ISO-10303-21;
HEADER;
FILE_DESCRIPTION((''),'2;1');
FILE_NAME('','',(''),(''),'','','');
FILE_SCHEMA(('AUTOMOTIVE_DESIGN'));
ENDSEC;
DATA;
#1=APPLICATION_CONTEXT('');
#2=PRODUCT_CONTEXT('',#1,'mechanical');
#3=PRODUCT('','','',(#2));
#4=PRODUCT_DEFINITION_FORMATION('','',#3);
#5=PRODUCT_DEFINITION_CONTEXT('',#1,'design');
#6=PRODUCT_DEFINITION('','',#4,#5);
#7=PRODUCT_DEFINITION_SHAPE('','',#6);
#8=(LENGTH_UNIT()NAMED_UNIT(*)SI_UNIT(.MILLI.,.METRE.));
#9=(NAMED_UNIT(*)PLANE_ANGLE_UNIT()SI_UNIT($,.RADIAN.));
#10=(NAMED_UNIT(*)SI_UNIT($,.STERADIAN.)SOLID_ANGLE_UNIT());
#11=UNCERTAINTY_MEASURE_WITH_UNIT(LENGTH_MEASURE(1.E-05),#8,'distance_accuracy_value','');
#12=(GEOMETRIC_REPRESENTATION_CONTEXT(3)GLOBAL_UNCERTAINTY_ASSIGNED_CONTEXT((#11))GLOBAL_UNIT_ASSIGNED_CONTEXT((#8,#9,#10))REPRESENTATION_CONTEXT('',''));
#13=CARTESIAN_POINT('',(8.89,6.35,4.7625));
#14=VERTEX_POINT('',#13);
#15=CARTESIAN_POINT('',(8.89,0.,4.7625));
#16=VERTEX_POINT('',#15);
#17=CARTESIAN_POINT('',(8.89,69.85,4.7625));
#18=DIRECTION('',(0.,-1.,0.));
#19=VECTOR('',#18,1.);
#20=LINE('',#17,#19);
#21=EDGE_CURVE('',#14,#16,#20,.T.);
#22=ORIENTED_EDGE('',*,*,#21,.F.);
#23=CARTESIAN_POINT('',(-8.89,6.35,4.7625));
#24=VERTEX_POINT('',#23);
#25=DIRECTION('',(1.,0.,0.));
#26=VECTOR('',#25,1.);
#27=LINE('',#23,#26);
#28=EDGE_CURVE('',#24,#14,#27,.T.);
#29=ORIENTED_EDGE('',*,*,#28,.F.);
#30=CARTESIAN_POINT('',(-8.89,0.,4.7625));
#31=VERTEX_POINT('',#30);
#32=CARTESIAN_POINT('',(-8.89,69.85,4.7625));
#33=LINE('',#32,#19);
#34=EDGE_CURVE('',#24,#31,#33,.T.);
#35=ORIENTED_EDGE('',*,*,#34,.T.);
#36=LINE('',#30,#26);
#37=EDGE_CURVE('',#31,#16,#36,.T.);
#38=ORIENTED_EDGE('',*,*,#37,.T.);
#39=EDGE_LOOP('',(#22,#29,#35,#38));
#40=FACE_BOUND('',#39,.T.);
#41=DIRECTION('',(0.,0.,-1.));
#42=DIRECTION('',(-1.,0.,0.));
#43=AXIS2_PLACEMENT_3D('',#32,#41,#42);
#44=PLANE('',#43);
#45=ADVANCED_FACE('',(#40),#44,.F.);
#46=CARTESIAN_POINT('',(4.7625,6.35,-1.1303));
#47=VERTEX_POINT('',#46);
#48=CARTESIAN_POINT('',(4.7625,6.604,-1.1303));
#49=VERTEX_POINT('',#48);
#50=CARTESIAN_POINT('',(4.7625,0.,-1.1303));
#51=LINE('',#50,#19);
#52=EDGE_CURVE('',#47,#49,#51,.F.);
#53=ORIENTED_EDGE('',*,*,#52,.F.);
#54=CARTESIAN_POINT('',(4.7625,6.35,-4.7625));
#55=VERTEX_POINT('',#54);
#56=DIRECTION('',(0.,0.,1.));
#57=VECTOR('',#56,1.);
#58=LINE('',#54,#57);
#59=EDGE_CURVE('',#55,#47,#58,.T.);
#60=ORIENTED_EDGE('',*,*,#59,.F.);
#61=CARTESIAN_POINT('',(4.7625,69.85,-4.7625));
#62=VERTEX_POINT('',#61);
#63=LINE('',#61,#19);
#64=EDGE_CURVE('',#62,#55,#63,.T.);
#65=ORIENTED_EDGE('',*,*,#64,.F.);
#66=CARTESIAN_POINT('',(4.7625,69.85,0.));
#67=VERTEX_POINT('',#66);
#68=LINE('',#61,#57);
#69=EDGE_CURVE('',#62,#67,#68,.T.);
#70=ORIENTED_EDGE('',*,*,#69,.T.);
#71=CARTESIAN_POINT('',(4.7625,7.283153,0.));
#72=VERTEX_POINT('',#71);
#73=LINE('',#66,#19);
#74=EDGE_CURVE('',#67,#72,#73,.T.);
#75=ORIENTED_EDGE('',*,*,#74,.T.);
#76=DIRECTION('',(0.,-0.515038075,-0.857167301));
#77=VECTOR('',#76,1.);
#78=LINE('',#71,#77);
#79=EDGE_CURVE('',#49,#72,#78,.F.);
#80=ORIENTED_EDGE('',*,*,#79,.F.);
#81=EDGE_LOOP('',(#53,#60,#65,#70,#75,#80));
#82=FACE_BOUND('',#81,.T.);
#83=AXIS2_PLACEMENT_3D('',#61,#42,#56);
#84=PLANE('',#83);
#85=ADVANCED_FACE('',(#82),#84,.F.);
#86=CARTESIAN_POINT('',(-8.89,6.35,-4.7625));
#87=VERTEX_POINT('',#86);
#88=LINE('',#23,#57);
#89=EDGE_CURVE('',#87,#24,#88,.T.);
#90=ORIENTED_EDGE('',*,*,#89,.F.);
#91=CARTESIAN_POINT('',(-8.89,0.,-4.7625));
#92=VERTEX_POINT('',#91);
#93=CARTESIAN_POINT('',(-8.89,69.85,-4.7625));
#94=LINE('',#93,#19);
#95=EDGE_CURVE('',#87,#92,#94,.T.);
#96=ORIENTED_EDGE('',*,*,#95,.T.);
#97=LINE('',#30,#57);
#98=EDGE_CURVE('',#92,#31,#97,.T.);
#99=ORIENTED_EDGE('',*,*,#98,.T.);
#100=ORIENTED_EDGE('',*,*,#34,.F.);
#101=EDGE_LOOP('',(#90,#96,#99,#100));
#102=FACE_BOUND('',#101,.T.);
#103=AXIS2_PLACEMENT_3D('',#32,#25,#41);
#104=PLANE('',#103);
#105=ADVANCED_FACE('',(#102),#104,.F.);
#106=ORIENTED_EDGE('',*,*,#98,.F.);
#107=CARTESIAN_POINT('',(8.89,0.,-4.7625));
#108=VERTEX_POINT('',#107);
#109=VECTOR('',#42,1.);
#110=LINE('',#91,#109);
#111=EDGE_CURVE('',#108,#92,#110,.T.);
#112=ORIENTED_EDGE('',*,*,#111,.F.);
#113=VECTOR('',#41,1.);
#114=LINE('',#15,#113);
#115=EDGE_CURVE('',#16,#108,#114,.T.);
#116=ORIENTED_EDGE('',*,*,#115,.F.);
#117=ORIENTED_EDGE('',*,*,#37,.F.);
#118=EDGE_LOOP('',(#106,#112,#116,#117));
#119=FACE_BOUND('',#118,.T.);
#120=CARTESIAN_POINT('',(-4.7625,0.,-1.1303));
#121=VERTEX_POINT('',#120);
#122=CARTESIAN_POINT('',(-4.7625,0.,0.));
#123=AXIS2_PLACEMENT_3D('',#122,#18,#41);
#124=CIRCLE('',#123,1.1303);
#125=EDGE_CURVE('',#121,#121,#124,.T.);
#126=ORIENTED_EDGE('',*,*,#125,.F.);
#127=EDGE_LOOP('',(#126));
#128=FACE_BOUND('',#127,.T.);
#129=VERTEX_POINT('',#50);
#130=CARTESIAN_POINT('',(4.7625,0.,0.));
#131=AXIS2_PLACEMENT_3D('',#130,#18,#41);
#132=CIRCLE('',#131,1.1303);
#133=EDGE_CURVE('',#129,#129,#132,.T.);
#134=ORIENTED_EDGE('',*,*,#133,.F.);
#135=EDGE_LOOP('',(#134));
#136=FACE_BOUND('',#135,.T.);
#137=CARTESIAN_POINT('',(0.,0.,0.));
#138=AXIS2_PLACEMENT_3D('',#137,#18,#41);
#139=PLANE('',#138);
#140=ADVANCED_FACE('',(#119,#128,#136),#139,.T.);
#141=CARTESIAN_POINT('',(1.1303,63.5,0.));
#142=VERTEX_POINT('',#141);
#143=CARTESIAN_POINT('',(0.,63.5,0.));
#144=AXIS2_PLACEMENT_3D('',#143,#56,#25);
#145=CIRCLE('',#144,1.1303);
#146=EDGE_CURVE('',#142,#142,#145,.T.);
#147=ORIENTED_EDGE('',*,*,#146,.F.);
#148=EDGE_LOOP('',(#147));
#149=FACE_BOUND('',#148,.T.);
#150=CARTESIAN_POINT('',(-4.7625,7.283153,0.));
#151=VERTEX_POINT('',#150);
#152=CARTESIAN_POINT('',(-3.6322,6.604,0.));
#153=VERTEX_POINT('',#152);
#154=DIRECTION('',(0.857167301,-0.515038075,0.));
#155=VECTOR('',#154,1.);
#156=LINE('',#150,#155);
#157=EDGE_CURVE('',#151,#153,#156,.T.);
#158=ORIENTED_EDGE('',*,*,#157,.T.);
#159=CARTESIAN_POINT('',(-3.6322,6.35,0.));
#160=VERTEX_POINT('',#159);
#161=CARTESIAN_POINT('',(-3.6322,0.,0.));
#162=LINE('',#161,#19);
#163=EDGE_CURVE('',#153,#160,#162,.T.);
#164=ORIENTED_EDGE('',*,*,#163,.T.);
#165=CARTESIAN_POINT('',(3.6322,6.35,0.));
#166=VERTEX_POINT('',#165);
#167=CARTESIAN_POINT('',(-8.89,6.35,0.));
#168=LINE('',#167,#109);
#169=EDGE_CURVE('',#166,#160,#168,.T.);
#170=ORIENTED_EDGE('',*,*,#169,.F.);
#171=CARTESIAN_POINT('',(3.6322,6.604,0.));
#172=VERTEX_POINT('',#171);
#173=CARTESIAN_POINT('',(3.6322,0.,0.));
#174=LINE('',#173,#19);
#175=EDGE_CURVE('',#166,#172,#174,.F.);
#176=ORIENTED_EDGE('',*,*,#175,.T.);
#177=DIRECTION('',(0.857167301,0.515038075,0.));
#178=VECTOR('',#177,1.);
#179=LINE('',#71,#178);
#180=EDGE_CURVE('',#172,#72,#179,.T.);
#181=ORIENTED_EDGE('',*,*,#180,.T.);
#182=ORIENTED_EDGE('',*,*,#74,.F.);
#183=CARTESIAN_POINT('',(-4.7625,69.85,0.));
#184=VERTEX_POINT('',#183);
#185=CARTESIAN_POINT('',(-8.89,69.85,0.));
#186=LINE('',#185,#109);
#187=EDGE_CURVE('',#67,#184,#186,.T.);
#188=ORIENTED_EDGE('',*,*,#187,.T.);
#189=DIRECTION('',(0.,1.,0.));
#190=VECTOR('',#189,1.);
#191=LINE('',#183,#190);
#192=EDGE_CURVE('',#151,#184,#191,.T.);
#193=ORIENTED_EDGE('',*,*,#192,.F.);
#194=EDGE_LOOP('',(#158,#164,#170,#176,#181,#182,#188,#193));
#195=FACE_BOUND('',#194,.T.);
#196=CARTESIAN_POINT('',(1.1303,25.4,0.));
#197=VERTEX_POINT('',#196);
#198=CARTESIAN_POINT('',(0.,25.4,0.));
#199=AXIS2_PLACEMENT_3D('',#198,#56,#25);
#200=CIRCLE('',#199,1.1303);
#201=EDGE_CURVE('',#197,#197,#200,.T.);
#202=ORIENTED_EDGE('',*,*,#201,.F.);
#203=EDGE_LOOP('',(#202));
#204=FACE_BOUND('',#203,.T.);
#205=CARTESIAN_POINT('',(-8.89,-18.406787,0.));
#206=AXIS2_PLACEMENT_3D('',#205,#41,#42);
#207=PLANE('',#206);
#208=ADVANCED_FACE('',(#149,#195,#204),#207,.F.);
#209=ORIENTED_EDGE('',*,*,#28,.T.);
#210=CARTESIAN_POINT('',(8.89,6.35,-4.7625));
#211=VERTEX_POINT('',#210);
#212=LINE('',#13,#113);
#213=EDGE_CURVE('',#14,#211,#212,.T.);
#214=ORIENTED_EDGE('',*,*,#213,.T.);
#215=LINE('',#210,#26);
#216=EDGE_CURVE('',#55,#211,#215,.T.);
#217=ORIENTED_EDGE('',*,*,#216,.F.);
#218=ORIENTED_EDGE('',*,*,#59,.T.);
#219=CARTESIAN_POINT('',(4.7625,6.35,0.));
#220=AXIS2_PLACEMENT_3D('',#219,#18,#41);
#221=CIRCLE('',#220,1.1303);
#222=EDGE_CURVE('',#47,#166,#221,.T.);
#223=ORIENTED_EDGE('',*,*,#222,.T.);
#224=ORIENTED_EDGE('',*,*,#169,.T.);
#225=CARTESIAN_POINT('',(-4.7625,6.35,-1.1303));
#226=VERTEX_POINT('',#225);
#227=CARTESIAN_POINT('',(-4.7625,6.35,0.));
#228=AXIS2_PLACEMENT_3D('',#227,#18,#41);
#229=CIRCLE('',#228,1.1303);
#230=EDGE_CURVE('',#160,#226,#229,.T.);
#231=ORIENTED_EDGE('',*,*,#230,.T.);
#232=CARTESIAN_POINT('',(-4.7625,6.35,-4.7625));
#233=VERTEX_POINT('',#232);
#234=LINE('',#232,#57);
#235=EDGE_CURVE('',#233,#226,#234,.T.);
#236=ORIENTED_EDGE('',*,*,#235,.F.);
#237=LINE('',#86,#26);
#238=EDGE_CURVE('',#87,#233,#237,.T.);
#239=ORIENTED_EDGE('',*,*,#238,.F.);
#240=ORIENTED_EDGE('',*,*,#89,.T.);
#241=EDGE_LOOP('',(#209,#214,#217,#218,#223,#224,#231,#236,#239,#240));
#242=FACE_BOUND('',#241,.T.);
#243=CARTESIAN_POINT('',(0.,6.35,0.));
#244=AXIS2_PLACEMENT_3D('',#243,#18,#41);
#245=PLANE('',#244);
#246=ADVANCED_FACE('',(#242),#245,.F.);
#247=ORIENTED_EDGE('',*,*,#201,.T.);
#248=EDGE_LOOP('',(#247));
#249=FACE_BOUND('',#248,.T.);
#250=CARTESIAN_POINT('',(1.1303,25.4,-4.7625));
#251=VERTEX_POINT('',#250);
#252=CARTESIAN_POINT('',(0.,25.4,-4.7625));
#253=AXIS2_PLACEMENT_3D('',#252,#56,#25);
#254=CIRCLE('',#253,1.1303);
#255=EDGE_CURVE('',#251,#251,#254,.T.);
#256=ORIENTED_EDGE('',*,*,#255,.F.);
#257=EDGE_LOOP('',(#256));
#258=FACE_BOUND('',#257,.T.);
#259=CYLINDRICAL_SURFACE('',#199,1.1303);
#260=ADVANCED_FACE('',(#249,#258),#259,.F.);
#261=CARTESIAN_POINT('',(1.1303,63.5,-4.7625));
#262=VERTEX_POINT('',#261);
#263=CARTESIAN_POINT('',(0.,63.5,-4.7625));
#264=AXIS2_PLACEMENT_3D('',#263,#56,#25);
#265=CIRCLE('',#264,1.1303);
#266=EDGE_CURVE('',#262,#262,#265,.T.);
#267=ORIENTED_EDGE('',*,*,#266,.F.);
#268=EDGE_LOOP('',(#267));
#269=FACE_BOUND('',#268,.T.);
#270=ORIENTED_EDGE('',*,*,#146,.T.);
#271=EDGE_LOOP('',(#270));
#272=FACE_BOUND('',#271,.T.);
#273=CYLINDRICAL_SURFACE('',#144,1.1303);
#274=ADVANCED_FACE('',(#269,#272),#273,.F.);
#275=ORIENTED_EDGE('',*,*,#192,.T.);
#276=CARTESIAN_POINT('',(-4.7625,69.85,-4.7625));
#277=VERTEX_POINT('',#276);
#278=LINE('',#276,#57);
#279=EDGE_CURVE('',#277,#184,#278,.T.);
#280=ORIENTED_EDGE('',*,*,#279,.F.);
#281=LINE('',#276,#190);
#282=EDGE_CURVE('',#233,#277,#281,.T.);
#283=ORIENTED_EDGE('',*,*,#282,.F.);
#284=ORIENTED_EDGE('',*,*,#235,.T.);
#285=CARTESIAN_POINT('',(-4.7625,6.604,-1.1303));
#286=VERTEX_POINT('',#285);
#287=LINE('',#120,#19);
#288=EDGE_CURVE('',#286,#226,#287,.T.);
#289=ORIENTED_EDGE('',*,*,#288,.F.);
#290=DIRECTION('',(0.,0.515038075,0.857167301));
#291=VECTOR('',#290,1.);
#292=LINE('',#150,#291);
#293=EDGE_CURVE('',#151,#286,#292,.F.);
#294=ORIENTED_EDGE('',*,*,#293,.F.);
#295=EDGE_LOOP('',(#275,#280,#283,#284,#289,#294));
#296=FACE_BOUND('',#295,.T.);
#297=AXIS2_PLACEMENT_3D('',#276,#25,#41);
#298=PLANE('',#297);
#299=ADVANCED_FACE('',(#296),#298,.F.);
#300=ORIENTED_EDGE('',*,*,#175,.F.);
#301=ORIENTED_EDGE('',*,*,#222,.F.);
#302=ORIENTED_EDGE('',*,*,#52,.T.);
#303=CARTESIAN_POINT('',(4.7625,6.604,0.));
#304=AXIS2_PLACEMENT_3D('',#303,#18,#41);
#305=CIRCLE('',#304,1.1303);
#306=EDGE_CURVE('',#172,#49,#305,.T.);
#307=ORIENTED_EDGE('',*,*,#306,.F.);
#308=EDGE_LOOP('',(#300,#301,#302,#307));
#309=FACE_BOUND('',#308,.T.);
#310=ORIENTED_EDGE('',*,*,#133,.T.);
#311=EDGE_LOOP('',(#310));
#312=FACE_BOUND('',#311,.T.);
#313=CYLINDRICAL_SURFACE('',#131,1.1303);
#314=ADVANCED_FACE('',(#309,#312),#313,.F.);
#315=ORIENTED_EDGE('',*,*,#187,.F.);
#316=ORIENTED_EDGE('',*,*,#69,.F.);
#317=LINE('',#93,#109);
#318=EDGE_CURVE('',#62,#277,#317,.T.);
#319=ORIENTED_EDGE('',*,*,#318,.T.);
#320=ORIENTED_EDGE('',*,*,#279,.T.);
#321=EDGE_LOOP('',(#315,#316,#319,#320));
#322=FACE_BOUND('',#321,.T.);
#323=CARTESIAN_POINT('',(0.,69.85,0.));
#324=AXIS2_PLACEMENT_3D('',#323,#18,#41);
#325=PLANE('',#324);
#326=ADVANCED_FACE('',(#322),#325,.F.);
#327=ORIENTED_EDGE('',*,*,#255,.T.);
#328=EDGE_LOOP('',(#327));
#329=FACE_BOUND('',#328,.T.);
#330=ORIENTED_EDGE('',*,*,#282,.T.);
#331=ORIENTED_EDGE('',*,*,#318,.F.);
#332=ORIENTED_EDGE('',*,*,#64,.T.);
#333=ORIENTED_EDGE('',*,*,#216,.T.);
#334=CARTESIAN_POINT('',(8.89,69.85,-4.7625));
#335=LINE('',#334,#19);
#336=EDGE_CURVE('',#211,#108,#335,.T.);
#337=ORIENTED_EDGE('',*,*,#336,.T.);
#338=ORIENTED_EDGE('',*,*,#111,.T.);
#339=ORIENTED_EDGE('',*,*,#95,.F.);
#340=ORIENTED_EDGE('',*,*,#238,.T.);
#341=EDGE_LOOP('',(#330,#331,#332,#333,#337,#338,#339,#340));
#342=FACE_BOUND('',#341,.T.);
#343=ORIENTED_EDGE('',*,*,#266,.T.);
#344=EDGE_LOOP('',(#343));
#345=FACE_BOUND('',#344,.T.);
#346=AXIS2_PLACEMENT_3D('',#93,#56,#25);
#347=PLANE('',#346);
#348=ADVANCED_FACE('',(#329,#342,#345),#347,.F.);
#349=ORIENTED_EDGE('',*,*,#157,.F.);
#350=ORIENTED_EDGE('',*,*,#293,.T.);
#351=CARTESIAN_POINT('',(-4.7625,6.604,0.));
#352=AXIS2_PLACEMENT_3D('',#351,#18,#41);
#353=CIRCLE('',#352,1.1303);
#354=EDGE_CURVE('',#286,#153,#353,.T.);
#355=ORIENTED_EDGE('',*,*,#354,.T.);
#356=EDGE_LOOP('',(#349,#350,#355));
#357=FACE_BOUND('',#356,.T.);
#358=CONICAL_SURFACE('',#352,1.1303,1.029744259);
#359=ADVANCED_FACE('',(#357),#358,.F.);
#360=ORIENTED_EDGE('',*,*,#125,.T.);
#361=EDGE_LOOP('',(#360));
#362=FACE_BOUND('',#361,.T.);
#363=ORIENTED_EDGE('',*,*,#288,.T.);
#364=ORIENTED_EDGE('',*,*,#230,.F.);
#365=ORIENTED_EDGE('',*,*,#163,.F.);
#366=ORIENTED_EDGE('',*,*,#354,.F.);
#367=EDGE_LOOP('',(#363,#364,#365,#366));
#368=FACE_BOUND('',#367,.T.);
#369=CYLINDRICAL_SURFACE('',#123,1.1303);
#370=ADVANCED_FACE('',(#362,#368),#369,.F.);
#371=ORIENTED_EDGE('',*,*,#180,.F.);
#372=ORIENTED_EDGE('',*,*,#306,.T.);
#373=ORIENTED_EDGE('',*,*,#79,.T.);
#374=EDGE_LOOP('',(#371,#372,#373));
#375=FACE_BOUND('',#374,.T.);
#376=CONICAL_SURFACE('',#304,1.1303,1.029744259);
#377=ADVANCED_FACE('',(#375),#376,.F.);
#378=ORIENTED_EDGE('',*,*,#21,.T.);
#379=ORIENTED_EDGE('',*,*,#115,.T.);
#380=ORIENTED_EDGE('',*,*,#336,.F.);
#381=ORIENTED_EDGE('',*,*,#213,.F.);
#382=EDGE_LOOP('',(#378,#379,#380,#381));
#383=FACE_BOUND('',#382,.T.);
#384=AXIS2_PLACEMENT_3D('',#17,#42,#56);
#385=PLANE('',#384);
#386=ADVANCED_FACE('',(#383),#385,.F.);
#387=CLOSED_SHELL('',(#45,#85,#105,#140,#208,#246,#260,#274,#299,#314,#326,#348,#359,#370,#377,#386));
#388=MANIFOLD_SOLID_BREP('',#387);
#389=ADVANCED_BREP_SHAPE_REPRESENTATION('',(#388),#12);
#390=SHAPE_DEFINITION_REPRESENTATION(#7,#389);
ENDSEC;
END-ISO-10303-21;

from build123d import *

# Parameters (mm, degrees)
SKETCH1_W                 = 17.78
SKETCH1_H                 = 9.525
BOSS_EXTRUDE1_DEPTH       = 69.85
SKETCH2_W                 = 17.78
SKETCH2_H                 = 4.7625
CUT_EXTRUDE1_DEPTH        = 63.5
F_4_40_TAPPED_HOLE1_D     = 2.2606
F_4_40_TAPPED_HOLE1_DEPTH = 6.604
F_4_40_TAPPED_HOLE1_TIP   = 0.679152758
F_4_40_TAPPED_HOLE2_D     = 2.2606
F_4_40_TAPPED_HOLE2_DEPTH = 8.89
F_4_40_TAPPED_HOLE2_TIP   = 0.679152758
SKETCH9_W                 = 4.1275
SKETCH9_H                 = 63.5
CUT_EXTRUDE2_DEPTH        = 71.574329655


with BuildPart() as part:
    # Sketch1 → Boss-Extrude1 (new body)
    with BuildSketch(Plane(origin=(0, 0, 0), x_dir=(1, 0, 0), z_dir=(0, 1, 0))):
        Rectangle(SKETCH1_W, SKETCH1_H)
    extrude(amount=BOSS_EXTRUDE1_DEPTH)

    # Sketch2 → Cut-Extrude1 (cut)
    with BuildSketch(Plane(origin=(0, 69.85, 0), x_dir=(1, 0, 0), z_dir=(0, 1, 0))):
        with Locations((0, -2.38125)):
            Rectangle(SKETCH2_W, SKETCH2_H)
    extrude(amount=-CUT_EXTRUDE1_DEPTH, mode=Mode.SUBTRACT)

    # #4-40 Tapped Hole1
    with Locations(Plane(origin=(0, 0, 0), x_dir=(-1, 0, 0), z_dir=(0, -1, 0))):
        with Locations((-4.7625, 0), (4.7625, 0)):
            Hole(F_4_40_TAPPED_HOLE1_D / 2, depth=F_4_40_TAPPED_HOLE1_DEPTH)
            with Locations((0, 0, -(F_4_40_TAPPED_HOLE1_DEPTH + F_4_40_TAPPED_HOLE1_TIP / 2))):  # 118° drill point
                Cone(0, F_4_40_TAPPED_HOLE1_D / 2, F_4_40_TAPPED_HOLE1_TIP, mode=Mode.SUBTRACT)

    # #4-40 Tapped Hole2
    with Locations(Plane.XY):
        with Locations((0, 25.4), (0, 63.5)):
            Hole(F_4_40_TAPPED_HOLE2_D / 2, depth=F_4_40_TAPPED_HOLE2_DEPTH)
            with Locations((0, 0, -(F_4_40_TAPPED_HOLE2_DEPTH + F_4_40_TAPPED_HOLE2_TIP / 2))):  # 118° drill point
                Cone(0, F_4_40_TAPPED_HOLE2_D / 2, F_4_40_TAPPED_HOLE2_TIP, mode=Mode.SUBTRACT)

    # Sketch9 → Cut-Extrude2 (cut, through all)
    with BuildSketch(Plane.XY):
        with Locations((-6.82625, 38.1)):
            Rectangle(SKETCH9_W, SKETCH9_H)
        with Locations((6.82625, 38.1)):
            Rectangle(SKETCH9_W, SKETCH9_H)
    extrude(amount=-CUT_EXTRUDE2_DEPTH, mode=Mode.SUBTRACT)


solid = part.part
